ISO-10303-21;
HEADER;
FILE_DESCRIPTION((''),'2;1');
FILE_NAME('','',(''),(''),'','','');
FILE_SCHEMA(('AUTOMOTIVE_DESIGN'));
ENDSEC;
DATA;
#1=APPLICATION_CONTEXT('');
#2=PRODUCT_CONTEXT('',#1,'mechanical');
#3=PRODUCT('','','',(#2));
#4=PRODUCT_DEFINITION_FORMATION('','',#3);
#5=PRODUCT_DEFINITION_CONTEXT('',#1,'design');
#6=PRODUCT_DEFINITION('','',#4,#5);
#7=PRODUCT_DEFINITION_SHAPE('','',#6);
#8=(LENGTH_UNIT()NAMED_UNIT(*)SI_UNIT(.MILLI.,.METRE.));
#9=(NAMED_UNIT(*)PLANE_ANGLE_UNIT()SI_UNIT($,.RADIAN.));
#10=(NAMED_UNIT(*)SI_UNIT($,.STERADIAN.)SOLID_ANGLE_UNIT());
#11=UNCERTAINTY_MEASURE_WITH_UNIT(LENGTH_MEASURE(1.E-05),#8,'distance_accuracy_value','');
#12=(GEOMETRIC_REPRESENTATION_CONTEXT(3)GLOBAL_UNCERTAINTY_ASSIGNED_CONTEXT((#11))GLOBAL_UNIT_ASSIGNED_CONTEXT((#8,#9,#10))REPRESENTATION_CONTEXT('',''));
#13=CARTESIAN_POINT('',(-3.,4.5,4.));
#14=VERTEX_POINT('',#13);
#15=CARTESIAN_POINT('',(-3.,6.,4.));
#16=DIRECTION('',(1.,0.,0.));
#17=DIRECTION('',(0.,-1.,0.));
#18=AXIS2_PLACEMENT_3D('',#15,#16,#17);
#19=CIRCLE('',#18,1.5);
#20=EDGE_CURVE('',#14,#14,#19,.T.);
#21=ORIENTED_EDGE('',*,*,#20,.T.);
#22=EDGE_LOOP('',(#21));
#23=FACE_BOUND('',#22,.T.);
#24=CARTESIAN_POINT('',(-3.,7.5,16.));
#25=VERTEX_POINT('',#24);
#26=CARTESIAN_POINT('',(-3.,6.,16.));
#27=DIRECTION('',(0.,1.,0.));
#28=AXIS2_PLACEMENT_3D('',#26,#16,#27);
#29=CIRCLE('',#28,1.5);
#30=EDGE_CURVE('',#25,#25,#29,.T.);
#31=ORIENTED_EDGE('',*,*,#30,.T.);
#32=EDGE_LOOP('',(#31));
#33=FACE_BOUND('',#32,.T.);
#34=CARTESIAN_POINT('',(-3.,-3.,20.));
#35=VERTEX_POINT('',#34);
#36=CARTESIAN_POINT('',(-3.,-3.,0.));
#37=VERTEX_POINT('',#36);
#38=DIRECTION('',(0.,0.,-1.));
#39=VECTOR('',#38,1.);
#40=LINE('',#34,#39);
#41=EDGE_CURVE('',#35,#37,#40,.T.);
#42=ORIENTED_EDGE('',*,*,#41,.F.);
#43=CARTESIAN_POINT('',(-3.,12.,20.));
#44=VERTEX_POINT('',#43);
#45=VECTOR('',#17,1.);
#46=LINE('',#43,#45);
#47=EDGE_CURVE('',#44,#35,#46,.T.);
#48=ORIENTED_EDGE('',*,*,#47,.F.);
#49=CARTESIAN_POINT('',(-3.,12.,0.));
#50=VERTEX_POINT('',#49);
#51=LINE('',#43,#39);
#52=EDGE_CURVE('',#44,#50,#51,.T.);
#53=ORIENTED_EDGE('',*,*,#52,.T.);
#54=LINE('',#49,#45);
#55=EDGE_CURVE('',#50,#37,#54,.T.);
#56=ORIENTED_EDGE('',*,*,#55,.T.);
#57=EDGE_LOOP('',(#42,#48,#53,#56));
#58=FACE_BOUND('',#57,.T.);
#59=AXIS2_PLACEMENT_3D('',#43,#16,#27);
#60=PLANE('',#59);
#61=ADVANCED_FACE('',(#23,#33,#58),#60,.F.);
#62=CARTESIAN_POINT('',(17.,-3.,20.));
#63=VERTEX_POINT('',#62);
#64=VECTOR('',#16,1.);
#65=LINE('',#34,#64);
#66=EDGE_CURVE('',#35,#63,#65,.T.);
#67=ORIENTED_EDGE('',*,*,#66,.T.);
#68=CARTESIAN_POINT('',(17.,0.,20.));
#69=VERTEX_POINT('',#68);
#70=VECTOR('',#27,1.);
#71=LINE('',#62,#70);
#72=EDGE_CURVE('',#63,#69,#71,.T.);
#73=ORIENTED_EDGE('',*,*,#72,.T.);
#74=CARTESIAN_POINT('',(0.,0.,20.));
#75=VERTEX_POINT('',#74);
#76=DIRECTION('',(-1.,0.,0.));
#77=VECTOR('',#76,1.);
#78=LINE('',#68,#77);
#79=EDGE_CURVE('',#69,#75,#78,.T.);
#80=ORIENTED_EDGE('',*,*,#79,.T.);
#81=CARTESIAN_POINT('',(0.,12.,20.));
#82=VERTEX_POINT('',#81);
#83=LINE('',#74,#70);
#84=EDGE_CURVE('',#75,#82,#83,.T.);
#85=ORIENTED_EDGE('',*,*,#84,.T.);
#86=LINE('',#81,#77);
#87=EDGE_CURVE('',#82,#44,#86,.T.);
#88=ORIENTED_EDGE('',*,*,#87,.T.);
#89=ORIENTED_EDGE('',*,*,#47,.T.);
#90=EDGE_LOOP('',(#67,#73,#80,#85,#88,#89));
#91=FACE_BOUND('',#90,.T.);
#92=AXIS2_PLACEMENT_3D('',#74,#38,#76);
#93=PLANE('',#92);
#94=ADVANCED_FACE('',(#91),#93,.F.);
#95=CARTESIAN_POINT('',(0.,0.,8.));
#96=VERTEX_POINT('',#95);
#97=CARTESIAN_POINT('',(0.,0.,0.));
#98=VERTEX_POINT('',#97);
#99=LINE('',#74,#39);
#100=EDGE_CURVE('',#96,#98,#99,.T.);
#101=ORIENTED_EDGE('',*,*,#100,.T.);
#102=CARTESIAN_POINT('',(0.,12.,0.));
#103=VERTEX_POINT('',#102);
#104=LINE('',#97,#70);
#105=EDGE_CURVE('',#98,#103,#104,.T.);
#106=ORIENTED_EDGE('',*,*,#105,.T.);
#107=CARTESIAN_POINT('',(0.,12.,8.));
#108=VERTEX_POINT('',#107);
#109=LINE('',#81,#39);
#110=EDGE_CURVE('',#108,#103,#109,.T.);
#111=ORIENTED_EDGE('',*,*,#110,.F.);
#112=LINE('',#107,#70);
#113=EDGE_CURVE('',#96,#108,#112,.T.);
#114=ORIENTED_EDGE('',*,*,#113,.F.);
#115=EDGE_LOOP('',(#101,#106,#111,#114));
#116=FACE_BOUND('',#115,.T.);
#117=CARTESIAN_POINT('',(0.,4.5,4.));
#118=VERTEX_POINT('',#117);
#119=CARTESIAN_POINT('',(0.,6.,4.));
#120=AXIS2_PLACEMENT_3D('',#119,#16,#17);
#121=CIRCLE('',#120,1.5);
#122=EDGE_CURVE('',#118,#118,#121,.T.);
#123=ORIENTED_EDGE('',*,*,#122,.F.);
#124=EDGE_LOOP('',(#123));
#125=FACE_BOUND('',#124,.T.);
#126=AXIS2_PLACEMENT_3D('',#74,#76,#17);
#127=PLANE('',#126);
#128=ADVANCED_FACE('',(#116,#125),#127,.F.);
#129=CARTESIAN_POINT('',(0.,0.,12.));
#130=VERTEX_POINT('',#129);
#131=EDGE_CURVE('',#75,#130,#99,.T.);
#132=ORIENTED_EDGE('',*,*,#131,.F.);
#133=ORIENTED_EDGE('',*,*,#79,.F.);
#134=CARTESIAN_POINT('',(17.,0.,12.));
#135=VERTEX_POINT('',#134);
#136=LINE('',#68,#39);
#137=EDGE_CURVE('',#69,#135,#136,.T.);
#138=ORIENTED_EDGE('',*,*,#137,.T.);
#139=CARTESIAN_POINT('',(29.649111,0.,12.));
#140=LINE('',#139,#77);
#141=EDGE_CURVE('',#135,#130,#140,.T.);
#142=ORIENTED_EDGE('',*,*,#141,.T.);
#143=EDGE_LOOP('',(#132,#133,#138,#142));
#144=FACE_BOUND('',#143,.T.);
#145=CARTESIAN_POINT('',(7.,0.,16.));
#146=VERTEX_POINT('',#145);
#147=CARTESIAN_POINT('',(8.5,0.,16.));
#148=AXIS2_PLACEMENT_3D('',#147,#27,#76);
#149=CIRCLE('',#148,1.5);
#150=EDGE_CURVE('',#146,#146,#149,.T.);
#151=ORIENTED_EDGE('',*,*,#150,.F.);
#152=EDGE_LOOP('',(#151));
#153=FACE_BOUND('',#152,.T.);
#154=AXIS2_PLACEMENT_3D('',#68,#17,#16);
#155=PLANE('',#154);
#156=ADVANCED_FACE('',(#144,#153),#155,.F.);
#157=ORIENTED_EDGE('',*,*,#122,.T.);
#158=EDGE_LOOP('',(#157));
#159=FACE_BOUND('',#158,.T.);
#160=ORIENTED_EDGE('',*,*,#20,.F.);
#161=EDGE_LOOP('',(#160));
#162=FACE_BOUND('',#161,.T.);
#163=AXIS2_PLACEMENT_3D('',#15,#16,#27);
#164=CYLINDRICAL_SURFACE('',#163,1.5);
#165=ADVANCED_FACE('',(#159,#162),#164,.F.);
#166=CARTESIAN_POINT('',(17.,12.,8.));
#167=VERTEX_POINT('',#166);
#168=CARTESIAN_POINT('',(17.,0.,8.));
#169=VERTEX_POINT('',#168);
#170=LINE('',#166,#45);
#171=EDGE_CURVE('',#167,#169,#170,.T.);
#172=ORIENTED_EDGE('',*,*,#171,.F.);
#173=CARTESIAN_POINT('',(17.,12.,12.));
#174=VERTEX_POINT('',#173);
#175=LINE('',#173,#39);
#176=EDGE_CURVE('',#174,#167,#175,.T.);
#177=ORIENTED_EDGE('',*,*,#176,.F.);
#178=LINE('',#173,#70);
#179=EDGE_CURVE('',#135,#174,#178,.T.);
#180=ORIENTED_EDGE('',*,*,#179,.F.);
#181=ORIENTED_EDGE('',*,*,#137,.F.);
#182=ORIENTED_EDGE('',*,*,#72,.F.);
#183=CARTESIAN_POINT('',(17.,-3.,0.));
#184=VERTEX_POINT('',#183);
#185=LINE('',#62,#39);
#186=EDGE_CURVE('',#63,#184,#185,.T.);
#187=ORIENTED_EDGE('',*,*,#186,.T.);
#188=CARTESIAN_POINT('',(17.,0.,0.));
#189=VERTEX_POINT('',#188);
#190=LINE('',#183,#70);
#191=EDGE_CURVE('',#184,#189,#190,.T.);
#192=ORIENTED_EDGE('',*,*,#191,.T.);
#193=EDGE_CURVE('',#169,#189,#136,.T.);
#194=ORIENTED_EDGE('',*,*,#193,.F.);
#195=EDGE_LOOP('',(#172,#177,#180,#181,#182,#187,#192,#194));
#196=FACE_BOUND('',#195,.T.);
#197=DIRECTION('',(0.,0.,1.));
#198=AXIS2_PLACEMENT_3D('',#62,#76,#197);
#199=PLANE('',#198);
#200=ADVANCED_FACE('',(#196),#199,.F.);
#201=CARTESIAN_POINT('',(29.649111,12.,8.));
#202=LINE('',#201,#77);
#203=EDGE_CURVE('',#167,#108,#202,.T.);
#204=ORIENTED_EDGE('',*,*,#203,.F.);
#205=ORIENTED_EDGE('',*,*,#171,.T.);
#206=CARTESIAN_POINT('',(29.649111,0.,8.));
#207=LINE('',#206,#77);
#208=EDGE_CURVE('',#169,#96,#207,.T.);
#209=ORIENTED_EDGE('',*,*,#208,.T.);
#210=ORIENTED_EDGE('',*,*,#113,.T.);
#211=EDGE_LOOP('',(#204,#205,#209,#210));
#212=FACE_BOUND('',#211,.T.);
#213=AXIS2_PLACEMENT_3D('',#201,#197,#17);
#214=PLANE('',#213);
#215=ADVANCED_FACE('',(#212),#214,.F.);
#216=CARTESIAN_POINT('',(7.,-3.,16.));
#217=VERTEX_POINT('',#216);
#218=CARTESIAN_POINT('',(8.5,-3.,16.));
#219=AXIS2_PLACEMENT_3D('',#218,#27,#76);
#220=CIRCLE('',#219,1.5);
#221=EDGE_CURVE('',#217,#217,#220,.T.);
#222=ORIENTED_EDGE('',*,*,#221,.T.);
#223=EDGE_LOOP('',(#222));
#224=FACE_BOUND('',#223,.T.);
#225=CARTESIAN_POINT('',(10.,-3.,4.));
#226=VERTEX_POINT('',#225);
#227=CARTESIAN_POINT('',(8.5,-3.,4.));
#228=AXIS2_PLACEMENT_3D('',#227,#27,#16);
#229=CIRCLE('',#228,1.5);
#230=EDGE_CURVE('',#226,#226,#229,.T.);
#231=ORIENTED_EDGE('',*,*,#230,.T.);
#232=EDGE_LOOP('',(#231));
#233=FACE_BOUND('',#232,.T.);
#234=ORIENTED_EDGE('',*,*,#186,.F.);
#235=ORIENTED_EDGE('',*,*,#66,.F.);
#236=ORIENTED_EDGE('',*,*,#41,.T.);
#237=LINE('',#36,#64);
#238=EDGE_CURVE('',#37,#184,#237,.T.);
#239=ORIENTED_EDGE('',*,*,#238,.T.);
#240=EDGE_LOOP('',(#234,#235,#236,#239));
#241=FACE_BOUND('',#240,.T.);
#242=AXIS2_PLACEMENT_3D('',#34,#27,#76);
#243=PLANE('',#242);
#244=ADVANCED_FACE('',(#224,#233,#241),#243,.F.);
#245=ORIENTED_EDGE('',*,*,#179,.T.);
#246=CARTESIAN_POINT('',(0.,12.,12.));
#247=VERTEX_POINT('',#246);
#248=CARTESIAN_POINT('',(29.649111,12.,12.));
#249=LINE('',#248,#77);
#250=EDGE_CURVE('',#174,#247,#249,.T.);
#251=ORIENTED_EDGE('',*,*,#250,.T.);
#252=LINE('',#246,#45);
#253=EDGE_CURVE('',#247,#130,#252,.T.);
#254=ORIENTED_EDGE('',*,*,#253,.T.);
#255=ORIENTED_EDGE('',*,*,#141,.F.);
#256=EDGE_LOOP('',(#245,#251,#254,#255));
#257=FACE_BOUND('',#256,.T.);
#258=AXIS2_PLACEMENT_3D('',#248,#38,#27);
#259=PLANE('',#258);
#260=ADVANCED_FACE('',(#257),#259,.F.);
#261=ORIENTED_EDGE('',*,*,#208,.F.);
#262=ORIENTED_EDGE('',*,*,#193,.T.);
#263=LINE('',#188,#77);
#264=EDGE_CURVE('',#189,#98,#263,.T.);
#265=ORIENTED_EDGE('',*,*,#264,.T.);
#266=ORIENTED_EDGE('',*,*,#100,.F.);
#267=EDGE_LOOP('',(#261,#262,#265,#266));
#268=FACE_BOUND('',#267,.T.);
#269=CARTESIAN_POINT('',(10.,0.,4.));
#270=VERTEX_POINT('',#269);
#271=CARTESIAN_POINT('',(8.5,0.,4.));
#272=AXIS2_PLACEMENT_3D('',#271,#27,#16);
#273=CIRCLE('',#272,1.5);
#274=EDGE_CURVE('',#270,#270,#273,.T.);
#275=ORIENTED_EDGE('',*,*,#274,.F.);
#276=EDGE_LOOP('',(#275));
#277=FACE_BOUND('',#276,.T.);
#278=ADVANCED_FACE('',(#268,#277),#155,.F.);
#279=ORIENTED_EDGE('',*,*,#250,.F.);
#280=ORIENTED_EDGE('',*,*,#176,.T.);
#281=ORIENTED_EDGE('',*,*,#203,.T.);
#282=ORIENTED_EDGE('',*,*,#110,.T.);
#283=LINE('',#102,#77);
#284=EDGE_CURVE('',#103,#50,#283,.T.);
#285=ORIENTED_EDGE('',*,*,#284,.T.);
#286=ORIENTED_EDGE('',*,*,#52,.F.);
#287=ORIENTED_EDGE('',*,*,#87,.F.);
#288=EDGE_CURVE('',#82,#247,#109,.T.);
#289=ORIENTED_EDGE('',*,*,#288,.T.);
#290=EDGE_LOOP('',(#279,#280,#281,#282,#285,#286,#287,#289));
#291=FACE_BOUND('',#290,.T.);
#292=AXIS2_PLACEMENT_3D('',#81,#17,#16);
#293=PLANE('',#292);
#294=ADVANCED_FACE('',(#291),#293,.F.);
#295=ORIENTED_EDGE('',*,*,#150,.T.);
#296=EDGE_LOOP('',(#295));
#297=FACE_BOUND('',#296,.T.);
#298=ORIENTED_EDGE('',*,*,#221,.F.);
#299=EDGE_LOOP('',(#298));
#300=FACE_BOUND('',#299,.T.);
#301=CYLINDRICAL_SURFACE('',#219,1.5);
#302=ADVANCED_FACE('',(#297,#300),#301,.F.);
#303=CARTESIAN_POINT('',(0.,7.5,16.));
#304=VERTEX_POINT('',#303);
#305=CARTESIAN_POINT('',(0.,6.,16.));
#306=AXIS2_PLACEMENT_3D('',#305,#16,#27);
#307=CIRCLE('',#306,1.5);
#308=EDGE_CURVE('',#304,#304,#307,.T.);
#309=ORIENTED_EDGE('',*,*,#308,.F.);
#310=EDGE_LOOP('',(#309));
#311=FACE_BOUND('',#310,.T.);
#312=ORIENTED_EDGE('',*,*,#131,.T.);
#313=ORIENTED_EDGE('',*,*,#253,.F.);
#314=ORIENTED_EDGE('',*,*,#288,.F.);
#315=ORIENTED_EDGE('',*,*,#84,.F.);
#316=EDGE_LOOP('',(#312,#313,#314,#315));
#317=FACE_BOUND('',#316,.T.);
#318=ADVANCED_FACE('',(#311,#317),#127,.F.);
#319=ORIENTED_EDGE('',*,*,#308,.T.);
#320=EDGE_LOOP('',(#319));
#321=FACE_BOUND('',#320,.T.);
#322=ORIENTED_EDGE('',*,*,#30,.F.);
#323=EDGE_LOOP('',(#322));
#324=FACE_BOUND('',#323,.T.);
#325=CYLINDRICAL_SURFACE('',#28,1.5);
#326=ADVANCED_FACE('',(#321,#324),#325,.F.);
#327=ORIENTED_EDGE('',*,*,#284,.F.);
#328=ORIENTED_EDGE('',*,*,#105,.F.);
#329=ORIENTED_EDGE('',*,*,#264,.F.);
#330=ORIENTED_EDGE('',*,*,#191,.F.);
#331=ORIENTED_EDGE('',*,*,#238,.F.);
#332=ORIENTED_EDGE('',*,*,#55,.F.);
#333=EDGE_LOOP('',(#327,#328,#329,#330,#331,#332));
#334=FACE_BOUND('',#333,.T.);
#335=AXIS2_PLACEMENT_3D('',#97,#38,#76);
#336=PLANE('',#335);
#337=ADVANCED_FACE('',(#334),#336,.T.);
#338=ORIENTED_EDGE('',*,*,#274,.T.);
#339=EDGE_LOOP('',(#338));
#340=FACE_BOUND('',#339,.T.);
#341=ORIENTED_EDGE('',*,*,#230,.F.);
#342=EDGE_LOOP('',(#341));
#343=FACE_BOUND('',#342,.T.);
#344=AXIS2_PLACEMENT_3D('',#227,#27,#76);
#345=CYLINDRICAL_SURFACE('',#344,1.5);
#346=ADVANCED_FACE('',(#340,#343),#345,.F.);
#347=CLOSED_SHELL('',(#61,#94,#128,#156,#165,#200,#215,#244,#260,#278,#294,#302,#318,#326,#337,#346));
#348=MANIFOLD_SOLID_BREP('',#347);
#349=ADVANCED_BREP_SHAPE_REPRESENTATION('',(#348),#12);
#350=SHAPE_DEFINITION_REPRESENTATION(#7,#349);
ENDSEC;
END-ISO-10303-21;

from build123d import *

# Parameters (mm, degrees)
EXTRUDE_1_DEPTH     = 20
SKETCH_2_R          = 1.5
CUT_EXTRUDE_1_DEPTH = 29.861739379
SKETCH_3_R          = 1.5
CUT_EXTRUDE_2_DEPTH = 29.861739379
SKETCH_4_W          = 4
SKETCH_4_H          = 12
EXTRUDE_2_DEPTH     = 17


with BuildPart() as part:
    # 草图1 → 凸台-拉伸1 (new body)
    with BuildSketch(Plane.XY):
        Polygon((0, 0), (0, 12), (-3, 12), (-3, -3), (17, -3), (17, 0), align=None)
    extrude(amount=EXTRUDE_1_DEPTH)

    # 草图2 → 切除-拉伸1 (cut, through all)
    with BuildSketch(Plane(origin=(0, 0, 0), x_dir=(0, 0, -1), z_dir=(1, 0, 0))):
        with Locations(Location((-16, 6, 0), (0, 0, 90))):
            Circle(SKETCH_2_R)
        with Locations(Location((-4, 6, 0), (0, 0, 270))):
            Circle(SKETCH_2_R)
    extrude(amount=-CUT_EXTRUDE_1_DEPTH, mode=Mode.SUBTRACT)

    # 草图3 → 切除-拉伸2 (cut, through all)
    with BuildSketch(Plane(origin=(0, 0, 0), x_dir=(1, 0, 0), z_dir=(0, 1, 0))):
        with Locations(Location((8.5, -16, 0), (0, 0, 180))):
            Circle(SKETCH_3_R)
        with Locations((8.5, -4)):
            Circle(SKETCH_3_R)
    extrude(amount=-CUT_EXTRUDE_2_DEPTH, mode=Mode.SUBTRACT)

    # 草图4 → 凸台-拉伸2 (add)
    with BuildSketch(Plane(origin=(0, 0, 0), x_dir=(0, 0, -1), z_dir=(1, 0, 0))):
        with Locations((-10, 6)):
            Rectangle(SKETCH_4_W, SKETCH_4_H)
    extrude(amount=EXTRUDE_2_DEPTH)


solid = part.part
